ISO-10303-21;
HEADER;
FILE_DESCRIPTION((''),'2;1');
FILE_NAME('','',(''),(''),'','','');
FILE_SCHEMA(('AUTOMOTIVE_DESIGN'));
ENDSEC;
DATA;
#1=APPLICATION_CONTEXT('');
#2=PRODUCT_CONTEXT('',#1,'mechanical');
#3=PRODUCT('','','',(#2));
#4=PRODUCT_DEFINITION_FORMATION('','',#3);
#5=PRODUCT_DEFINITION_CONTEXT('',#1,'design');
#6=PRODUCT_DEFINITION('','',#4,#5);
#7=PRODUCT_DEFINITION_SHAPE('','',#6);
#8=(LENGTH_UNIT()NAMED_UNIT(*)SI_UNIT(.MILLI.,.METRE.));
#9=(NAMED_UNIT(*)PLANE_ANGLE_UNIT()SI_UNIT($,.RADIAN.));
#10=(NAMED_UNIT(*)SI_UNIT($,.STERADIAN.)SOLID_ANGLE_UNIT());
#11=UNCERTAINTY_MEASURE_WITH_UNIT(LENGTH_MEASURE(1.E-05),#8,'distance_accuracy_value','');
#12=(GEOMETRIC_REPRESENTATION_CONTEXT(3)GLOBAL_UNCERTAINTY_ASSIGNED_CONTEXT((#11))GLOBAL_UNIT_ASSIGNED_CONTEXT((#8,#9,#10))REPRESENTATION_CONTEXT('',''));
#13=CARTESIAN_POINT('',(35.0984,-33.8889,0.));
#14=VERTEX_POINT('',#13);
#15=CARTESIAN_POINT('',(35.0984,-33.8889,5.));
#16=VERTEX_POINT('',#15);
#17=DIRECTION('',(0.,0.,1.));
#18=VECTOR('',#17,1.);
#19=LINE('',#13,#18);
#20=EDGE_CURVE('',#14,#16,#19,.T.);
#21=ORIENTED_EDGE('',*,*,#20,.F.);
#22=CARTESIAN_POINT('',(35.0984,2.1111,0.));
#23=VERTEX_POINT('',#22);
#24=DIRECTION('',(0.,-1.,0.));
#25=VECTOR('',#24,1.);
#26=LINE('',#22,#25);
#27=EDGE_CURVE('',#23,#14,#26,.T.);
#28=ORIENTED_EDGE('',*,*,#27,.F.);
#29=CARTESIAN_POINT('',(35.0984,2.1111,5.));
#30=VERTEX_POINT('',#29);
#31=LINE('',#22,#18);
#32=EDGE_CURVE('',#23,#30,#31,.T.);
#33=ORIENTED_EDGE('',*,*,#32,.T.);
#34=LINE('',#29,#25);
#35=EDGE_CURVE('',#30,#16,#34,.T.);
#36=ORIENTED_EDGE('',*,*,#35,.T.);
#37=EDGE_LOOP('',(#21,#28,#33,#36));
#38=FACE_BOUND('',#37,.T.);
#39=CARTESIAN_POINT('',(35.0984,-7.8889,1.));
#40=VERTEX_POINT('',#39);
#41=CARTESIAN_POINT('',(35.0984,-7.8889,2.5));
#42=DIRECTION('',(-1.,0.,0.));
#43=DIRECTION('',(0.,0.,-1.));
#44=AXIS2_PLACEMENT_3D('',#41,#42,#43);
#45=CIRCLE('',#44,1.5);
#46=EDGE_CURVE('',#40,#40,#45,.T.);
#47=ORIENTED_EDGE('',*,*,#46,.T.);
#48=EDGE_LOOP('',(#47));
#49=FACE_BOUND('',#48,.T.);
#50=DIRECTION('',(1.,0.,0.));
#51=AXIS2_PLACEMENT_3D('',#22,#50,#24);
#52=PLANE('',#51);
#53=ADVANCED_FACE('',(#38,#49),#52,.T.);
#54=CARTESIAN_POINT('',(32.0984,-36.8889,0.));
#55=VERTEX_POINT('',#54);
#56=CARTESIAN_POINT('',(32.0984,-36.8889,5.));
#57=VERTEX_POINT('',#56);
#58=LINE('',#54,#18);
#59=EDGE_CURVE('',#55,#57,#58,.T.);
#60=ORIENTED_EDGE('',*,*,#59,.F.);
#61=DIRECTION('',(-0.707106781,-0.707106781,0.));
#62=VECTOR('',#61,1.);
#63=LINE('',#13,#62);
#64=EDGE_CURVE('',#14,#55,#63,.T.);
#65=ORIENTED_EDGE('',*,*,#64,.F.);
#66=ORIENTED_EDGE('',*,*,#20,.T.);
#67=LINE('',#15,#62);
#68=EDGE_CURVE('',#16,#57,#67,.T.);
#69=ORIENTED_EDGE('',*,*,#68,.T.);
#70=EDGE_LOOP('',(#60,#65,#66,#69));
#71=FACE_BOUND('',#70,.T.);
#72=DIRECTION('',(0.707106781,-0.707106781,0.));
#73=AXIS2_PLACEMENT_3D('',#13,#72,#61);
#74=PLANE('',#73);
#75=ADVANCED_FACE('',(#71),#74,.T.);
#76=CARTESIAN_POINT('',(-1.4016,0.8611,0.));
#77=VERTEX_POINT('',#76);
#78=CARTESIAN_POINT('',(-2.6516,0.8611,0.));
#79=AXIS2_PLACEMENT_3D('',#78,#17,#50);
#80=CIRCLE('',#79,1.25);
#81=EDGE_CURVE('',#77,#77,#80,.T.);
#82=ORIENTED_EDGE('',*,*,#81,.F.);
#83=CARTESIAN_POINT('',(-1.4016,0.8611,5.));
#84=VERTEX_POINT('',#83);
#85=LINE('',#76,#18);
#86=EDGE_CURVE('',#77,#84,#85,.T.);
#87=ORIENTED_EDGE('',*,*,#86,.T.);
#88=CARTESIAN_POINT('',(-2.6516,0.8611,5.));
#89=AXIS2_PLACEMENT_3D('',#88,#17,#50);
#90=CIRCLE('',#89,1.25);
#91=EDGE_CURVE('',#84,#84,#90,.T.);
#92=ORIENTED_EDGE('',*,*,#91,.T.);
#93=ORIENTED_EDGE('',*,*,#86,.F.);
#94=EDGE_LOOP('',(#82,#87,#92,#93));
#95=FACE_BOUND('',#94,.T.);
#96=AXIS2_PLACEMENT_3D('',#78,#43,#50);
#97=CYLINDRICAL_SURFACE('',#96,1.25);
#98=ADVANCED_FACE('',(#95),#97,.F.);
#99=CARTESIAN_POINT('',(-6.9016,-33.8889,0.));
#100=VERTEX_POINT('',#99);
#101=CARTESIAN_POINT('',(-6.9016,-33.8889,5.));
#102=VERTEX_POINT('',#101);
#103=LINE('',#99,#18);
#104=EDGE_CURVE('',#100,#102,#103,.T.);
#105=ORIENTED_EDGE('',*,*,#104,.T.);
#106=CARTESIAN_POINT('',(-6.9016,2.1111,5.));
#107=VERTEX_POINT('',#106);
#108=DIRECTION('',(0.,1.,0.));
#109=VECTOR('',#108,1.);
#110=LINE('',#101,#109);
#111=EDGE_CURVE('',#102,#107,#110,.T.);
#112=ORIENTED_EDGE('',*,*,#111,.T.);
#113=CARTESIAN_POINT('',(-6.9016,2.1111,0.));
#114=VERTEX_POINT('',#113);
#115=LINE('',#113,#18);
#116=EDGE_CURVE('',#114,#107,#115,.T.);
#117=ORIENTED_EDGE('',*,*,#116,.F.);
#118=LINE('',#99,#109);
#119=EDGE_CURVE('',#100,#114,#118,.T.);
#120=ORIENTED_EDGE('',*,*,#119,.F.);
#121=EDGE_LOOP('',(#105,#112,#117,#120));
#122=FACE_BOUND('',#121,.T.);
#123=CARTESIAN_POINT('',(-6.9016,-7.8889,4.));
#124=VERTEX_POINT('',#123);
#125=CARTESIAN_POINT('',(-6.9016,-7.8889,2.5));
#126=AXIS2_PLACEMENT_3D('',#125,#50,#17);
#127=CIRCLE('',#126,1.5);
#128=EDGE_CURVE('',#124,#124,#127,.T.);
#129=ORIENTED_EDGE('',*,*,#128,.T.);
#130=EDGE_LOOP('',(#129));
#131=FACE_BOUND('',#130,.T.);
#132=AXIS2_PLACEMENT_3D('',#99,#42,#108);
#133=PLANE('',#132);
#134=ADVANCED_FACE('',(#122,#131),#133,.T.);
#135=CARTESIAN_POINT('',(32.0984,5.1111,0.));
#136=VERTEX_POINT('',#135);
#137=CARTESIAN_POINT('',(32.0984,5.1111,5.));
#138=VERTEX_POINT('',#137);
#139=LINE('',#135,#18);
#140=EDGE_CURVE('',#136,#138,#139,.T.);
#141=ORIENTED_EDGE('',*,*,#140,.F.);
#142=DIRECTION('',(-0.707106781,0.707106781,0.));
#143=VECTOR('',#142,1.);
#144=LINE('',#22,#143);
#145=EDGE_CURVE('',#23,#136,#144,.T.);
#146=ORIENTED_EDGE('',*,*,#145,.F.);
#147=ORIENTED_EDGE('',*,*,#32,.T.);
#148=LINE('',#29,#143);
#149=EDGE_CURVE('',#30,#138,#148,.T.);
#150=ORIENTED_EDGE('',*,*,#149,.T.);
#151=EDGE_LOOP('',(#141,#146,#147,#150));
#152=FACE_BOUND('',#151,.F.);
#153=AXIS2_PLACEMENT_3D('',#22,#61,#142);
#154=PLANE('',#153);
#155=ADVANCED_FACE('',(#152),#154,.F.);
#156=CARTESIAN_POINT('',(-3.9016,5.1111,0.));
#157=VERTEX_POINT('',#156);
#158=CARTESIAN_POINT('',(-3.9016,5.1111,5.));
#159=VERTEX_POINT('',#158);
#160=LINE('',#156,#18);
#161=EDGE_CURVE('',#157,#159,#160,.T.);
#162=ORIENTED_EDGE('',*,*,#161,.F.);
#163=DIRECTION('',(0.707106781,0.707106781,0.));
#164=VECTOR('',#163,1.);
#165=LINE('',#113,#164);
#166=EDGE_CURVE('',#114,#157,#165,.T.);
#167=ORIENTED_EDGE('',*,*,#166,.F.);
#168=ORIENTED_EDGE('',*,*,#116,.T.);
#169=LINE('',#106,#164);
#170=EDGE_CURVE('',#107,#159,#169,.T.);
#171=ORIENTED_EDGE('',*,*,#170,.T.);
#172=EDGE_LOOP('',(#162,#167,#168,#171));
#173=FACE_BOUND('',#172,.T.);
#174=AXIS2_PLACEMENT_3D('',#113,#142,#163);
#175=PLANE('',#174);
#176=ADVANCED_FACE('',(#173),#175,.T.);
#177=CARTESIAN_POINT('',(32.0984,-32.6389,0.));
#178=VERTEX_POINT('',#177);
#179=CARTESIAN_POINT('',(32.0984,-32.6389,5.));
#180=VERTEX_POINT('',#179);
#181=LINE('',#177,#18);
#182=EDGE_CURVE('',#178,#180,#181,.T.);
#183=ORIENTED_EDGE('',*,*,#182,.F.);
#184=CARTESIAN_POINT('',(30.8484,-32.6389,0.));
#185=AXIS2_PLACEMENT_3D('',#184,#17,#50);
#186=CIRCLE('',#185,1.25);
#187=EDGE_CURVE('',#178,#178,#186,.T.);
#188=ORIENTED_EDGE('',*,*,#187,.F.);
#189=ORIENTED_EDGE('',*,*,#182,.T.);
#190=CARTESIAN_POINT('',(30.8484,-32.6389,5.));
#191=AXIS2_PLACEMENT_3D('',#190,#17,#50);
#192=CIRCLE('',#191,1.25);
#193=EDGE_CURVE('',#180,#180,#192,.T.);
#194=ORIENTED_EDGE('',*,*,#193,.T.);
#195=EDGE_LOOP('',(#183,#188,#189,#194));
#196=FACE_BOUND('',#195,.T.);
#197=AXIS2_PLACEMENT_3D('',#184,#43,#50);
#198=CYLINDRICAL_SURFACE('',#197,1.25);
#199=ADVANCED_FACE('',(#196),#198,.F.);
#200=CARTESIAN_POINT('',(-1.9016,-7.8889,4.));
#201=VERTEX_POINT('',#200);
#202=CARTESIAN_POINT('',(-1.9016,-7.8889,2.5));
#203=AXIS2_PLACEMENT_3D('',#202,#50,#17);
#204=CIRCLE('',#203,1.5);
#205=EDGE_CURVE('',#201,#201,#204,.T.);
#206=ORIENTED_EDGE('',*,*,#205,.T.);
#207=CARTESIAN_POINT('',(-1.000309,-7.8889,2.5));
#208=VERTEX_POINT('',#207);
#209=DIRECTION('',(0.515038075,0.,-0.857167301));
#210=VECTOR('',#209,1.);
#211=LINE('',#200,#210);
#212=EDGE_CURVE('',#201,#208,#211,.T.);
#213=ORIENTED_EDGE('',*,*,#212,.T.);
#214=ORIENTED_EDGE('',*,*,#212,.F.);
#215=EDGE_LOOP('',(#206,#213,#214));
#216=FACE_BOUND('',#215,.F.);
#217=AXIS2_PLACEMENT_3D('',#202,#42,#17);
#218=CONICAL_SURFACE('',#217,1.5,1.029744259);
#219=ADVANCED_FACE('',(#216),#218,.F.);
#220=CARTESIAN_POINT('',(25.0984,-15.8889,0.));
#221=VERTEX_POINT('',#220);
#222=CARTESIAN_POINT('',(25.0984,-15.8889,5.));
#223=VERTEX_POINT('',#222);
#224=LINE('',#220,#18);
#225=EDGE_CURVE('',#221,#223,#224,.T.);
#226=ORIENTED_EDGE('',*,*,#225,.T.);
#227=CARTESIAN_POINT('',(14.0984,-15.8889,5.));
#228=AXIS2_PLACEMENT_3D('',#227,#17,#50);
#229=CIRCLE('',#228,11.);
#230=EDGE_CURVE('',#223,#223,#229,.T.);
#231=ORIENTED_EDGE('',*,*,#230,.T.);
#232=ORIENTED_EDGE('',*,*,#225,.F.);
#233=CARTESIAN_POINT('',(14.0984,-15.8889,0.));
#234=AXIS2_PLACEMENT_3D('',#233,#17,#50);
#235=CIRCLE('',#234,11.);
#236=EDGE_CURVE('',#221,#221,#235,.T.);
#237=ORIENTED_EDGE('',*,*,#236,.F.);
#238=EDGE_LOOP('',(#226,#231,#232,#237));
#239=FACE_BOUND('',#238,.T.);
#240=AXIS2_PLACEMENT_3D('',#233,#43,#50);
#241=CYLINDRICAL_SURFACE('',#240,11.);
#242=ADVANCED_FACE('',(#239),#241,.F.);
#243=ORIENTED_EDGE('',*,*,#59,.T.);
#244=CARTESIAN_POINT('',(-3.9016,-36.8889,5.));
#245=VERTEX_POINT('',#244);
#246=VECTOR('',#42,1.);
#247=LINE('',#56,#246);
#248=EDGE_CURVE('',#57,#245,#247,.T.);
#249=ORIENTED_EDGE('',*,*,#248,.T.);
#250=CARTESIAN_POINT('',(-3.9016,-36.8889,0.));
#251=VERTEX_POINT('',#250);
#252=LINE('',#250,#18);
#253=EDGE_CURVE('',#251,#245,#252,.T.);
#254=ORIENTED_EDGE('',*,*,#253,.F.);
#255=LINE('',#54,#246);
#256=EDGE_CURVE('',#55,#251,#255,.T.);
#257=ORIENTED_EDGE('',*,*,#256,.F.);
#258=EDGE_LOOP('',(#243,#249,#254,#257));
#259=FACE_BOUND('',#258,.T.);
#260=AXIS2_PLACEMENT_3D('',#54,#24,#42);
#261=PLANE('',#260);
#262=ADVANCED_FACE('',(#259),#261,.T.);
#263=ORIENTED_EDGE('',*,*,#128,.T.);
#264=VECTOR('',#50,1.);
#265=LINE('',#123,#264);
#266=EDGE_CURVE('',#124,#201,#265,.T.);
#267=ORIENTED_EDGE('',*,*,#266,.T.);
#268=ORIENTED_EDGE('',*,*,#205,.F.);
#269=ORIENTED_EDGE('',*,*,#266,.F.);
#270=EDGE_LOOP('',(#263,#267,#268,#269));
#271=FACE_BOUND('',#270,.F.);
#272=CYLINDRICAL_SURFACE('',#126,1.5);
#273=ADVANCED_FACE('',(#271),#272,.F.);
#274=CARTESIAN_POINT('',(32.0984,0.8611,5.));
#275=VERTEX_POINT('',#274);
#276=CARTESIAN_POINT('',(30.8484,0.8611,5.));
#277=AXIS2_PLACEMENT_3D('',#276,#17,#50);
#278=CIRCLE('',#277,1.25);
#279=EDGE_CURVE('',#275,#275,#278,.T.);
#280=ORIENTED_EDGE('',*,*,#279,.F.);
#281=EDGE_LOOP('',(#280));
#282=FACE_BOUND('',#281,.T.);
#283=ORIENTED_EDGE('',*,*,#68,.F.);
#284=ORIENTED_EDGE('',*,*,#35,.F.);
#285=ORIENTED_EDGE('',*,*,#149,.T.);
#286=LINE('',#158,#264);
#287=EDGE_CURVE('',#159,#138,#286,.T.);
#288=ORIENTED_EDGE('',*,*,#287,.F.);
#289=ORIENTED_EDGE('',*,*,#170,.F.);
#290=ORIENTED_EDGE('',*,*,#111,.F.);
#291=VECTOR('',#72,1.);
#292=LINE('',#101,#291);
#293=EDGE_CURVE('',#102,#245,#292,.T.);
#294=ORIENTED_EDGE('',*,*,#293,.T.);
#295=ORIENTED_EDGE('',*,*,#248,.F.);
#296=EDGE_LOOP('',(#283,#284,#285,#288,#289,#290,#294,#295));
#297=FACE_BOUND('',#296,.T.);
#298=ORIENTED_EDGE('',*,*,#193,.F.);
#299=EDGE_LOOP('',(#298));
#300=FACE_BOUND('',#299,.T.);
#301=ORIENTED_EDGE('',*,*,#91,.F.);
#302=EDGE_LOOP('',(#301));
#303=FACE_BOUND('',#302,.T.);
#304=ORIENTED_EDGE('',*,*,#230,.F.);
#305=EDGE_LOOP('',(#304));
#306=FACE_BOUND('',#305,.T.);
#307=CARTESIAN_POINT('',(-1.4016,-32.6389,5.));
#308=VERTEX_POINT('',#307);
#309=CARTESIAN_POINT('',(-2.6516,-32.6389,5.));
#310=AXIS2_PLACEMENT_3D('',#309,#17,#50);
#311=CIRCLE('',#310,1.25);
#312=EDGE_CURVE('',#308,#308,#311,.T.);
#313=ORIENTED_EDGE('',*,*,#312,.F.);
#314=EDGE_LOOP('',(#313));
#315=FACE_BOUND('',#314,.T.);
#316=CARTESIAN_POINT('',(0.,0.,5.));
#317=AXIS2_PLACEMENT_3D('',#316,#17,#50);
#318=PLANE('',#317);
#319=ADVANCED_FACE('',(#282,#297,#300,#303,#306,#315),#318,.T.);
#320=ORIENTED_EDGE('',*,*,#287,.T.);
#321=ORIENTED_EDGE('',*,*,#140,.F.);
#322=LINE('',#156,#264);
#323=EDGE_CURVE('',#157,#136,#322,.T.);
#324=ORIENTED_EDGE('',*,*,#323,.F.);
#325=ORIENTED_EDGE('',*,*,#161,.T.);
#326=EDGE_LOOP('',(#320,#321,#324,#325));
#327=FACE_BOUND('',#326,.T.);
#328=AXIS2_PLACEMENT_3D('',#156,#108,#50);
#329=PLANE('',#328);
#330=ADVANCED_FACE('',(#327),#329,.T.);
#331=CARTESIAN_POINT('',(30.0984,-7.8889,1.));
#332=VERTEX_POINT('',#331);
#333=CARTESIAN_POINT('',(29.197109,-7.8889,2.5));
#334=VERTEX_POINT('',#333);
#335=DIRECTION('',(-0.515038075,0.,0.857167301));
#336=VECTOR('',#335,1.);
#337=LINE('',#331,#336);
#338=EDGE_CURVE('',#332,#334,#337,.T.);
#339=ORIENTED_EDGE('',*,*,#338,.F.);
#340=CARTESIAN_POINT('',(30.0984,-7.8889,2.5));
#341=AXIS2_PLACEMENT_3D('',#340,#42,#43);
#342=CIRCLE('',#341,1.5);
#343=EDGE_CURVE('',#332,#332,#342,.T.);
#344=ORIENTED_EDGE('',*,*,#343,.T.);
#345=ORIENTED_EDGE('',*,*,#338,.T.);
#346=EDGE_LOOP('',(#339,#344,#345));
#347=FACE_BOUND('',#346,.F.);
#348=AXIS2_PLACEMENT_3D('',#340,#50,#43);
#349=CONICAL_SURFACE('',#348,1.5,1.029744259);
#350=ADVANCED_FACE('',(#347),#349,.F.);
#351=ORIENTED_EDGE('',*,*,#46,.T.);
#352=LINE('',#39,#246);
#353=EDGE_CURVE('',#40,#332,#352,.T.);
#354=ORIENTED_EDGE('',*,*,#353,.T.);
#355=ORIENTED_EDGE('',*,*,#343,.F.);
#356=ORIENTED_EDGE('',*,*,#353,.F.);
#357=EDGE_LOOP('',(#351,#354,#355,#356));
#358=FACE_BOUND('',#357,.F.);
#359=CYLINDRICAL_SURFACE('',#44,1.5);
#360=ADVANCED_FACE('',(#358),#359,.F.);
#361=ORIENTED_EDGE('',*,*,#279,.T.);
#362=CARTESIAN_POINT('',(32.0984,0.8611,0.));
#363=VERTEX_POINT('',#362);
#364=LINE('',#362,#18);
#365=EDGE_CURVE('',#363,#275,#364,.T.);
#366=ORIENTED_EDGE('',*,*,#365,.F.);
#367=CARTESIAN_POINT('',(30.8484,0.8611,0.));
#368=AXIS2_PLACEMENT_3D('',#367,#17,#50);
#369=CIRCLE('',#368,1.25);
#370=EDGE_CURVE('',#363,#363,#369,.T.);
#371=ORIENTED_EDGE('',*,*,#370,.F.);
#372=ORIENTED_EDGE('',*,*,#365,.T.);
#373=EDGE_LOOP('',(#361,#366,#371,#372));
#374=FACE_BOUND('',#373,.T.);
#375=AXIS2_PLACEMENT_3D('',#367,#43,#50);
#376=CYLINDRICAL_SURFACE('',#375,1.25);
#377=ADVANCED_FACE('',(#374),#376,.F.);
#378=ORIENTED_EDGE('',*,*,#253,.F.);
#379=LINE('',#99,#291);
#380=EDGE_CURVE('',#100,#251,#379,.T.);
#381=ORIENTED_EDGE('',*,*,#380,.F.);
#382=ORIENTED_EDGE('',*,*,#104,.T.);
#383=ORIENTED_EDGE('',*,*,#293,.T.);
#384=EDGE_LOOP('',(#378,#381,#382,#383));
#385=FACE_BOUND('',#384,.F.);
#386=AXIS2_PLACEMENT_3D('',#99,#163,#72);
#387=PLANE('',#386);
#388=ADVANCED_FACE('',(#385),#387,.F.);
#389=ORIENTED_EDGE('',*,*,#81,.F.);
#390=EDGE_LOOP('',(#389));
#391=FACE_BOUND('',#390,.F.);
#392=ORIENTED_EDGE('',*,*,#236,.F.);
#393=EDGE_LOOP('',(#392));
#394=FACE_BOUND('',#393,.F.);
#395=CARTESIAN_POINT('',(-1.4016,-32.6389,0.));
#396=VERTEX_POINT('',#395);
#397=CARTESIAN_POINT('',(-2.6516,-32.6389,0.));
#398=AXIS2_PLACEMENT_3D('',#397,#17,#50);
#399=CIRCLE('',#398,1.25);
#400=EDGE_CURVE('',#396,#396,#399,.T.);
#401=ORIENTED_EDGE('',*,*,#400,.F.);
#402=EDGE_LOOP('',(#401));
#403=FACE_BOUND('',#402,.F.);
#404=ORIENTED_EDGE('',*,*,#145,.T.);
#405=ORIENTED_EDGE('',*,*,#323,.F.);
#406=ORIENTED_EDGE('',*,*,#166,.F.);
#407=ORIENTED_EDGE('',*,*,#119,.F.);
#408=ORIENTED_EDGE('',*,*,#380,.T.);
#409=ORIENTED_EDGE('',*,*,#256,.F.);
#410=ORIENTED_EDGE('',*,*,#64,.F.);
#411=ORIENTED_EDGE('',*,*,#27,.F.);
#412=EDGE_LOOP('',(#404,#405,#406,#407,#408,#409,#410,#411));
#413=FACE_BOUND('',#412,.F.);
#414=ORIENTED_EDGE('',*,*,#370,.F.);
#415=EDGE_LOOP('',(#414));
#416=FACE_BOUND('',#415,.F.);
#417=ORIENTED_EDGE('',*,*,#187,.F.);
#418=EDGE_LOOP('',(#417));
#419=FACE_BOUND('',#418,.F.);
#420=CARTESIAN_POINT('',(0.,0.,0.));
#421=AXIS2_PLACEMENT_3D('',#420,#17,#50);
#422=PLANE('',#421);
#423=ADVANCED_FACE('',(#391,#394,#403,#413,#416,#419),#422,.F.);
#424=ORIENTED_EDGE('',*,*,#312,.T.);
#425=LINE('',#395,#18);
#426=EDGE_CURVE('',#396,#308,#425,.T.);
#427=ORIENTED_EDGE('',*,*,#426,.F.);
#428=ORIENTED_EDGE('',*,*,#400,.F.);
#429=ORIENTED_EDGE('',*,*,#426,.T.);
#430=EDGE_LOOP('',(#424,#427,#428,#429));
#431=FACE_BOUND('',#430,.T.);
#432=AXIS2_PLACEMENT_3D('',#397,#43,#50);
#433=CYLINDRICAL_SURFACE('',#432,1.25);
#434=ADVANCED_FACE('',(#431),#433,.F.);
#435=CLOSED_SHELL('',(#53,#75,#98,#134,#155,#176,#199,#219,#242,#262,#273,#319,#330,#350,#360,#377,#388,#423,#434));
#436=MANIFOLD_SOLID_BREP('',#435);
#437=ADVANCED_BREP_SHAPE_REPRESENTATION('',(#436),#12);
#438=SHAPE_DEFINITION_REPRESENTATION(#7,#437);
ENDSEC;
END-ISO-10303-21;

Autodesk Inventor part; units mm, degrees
ref_plane "YZ Plane" through (0, 0, 0) normal (1, 0, 0) x (0, 1, 0)
ref_plane "XZ Plane" through (0, 0, 0) normal (0, 1, 0) x (-1, 0, 0)
ref_plane "XY Plane" through (0, 0, 0) normal (0, 0, 1) x (1, 0, 0)
sketch "Sketch1" plane through (0, 0, 0) normal (0, 0, 1) x (1, 0, 0)
  line L0 (-3.9016, 5.1111) -> (32.0984, 5.1111)
  line L1 (35.0984, 2.1111) -> (35.0984, -33.8889)
  line L2 (32.0984, -36.8889) -> (-3.9016, -36.8889)
  line L3 (-6.9016, -33.8889) -> (-6.9016, 2.1111)
  circle A0 centre (14.0984, -15.8889) radius 11
  line L4 (35.0984, 2.1111) -> (32.0984, 5.1111)
  line L5 (-6.9016, 2.1111) -> (-3.9016, 5.1111)
  line L6 (-6.9016, -33.8889) -> (-3.9016, -36.8889)
  line L7 (35.0984, -33.8889) -> (32.0984, -36.8889)
  circle A1 centre (30.8484, -32.6389) radius 1.25
  circle A2 centre (-2.6516, -32.6389) radius 1.25
  circle A3 centre (-2.6516, 0.8611) radius 1.25
  circle A4 centre (30.8484, 0.8611) radius 1.25
  point P0 (0, 0)
extrude "Extrusion8" add sketch "Sketch1" along normal blind 5
sketch "Sketch2" plane through (35.0984, -33.8889, 0) normal (1, 0, 0) x (0, 0, -1)
  circle A0 centre (-2.5, 26) radius 1.5
  point P0 (0, 33.8889)
  point P1 (-5, -3)
hole "Hole1" at (35.0984, -7.8889, 2.5) direction (-1, 0, 0) diameter 3 depth 5 tip angle 118
sketch "Sketch3" plane through (-6.9016, -33.8889, 0) normal (-1, 0, 0) x (0, 0, 1)
  circle A0 centre (2.5, 26) radius 1.5 projected
  circle A1 centre (2.5, 26) radius 1.5
  point P0 (0, 33.8889)
hole "Hole3" at (-6.9016, -7.8889, 2.5) direction (1, 0, 0) diameter 3 depth 5 tip angle 118
thread "Thread1" size "M3x0.5" class "6H" standard "ANSI Metric M Profile" full length
thread "Thread2" size "M3x0.5" class "6H" standard "ANSI Metric M Profile" full length
properties part number "attachment motor" material "Lead"
